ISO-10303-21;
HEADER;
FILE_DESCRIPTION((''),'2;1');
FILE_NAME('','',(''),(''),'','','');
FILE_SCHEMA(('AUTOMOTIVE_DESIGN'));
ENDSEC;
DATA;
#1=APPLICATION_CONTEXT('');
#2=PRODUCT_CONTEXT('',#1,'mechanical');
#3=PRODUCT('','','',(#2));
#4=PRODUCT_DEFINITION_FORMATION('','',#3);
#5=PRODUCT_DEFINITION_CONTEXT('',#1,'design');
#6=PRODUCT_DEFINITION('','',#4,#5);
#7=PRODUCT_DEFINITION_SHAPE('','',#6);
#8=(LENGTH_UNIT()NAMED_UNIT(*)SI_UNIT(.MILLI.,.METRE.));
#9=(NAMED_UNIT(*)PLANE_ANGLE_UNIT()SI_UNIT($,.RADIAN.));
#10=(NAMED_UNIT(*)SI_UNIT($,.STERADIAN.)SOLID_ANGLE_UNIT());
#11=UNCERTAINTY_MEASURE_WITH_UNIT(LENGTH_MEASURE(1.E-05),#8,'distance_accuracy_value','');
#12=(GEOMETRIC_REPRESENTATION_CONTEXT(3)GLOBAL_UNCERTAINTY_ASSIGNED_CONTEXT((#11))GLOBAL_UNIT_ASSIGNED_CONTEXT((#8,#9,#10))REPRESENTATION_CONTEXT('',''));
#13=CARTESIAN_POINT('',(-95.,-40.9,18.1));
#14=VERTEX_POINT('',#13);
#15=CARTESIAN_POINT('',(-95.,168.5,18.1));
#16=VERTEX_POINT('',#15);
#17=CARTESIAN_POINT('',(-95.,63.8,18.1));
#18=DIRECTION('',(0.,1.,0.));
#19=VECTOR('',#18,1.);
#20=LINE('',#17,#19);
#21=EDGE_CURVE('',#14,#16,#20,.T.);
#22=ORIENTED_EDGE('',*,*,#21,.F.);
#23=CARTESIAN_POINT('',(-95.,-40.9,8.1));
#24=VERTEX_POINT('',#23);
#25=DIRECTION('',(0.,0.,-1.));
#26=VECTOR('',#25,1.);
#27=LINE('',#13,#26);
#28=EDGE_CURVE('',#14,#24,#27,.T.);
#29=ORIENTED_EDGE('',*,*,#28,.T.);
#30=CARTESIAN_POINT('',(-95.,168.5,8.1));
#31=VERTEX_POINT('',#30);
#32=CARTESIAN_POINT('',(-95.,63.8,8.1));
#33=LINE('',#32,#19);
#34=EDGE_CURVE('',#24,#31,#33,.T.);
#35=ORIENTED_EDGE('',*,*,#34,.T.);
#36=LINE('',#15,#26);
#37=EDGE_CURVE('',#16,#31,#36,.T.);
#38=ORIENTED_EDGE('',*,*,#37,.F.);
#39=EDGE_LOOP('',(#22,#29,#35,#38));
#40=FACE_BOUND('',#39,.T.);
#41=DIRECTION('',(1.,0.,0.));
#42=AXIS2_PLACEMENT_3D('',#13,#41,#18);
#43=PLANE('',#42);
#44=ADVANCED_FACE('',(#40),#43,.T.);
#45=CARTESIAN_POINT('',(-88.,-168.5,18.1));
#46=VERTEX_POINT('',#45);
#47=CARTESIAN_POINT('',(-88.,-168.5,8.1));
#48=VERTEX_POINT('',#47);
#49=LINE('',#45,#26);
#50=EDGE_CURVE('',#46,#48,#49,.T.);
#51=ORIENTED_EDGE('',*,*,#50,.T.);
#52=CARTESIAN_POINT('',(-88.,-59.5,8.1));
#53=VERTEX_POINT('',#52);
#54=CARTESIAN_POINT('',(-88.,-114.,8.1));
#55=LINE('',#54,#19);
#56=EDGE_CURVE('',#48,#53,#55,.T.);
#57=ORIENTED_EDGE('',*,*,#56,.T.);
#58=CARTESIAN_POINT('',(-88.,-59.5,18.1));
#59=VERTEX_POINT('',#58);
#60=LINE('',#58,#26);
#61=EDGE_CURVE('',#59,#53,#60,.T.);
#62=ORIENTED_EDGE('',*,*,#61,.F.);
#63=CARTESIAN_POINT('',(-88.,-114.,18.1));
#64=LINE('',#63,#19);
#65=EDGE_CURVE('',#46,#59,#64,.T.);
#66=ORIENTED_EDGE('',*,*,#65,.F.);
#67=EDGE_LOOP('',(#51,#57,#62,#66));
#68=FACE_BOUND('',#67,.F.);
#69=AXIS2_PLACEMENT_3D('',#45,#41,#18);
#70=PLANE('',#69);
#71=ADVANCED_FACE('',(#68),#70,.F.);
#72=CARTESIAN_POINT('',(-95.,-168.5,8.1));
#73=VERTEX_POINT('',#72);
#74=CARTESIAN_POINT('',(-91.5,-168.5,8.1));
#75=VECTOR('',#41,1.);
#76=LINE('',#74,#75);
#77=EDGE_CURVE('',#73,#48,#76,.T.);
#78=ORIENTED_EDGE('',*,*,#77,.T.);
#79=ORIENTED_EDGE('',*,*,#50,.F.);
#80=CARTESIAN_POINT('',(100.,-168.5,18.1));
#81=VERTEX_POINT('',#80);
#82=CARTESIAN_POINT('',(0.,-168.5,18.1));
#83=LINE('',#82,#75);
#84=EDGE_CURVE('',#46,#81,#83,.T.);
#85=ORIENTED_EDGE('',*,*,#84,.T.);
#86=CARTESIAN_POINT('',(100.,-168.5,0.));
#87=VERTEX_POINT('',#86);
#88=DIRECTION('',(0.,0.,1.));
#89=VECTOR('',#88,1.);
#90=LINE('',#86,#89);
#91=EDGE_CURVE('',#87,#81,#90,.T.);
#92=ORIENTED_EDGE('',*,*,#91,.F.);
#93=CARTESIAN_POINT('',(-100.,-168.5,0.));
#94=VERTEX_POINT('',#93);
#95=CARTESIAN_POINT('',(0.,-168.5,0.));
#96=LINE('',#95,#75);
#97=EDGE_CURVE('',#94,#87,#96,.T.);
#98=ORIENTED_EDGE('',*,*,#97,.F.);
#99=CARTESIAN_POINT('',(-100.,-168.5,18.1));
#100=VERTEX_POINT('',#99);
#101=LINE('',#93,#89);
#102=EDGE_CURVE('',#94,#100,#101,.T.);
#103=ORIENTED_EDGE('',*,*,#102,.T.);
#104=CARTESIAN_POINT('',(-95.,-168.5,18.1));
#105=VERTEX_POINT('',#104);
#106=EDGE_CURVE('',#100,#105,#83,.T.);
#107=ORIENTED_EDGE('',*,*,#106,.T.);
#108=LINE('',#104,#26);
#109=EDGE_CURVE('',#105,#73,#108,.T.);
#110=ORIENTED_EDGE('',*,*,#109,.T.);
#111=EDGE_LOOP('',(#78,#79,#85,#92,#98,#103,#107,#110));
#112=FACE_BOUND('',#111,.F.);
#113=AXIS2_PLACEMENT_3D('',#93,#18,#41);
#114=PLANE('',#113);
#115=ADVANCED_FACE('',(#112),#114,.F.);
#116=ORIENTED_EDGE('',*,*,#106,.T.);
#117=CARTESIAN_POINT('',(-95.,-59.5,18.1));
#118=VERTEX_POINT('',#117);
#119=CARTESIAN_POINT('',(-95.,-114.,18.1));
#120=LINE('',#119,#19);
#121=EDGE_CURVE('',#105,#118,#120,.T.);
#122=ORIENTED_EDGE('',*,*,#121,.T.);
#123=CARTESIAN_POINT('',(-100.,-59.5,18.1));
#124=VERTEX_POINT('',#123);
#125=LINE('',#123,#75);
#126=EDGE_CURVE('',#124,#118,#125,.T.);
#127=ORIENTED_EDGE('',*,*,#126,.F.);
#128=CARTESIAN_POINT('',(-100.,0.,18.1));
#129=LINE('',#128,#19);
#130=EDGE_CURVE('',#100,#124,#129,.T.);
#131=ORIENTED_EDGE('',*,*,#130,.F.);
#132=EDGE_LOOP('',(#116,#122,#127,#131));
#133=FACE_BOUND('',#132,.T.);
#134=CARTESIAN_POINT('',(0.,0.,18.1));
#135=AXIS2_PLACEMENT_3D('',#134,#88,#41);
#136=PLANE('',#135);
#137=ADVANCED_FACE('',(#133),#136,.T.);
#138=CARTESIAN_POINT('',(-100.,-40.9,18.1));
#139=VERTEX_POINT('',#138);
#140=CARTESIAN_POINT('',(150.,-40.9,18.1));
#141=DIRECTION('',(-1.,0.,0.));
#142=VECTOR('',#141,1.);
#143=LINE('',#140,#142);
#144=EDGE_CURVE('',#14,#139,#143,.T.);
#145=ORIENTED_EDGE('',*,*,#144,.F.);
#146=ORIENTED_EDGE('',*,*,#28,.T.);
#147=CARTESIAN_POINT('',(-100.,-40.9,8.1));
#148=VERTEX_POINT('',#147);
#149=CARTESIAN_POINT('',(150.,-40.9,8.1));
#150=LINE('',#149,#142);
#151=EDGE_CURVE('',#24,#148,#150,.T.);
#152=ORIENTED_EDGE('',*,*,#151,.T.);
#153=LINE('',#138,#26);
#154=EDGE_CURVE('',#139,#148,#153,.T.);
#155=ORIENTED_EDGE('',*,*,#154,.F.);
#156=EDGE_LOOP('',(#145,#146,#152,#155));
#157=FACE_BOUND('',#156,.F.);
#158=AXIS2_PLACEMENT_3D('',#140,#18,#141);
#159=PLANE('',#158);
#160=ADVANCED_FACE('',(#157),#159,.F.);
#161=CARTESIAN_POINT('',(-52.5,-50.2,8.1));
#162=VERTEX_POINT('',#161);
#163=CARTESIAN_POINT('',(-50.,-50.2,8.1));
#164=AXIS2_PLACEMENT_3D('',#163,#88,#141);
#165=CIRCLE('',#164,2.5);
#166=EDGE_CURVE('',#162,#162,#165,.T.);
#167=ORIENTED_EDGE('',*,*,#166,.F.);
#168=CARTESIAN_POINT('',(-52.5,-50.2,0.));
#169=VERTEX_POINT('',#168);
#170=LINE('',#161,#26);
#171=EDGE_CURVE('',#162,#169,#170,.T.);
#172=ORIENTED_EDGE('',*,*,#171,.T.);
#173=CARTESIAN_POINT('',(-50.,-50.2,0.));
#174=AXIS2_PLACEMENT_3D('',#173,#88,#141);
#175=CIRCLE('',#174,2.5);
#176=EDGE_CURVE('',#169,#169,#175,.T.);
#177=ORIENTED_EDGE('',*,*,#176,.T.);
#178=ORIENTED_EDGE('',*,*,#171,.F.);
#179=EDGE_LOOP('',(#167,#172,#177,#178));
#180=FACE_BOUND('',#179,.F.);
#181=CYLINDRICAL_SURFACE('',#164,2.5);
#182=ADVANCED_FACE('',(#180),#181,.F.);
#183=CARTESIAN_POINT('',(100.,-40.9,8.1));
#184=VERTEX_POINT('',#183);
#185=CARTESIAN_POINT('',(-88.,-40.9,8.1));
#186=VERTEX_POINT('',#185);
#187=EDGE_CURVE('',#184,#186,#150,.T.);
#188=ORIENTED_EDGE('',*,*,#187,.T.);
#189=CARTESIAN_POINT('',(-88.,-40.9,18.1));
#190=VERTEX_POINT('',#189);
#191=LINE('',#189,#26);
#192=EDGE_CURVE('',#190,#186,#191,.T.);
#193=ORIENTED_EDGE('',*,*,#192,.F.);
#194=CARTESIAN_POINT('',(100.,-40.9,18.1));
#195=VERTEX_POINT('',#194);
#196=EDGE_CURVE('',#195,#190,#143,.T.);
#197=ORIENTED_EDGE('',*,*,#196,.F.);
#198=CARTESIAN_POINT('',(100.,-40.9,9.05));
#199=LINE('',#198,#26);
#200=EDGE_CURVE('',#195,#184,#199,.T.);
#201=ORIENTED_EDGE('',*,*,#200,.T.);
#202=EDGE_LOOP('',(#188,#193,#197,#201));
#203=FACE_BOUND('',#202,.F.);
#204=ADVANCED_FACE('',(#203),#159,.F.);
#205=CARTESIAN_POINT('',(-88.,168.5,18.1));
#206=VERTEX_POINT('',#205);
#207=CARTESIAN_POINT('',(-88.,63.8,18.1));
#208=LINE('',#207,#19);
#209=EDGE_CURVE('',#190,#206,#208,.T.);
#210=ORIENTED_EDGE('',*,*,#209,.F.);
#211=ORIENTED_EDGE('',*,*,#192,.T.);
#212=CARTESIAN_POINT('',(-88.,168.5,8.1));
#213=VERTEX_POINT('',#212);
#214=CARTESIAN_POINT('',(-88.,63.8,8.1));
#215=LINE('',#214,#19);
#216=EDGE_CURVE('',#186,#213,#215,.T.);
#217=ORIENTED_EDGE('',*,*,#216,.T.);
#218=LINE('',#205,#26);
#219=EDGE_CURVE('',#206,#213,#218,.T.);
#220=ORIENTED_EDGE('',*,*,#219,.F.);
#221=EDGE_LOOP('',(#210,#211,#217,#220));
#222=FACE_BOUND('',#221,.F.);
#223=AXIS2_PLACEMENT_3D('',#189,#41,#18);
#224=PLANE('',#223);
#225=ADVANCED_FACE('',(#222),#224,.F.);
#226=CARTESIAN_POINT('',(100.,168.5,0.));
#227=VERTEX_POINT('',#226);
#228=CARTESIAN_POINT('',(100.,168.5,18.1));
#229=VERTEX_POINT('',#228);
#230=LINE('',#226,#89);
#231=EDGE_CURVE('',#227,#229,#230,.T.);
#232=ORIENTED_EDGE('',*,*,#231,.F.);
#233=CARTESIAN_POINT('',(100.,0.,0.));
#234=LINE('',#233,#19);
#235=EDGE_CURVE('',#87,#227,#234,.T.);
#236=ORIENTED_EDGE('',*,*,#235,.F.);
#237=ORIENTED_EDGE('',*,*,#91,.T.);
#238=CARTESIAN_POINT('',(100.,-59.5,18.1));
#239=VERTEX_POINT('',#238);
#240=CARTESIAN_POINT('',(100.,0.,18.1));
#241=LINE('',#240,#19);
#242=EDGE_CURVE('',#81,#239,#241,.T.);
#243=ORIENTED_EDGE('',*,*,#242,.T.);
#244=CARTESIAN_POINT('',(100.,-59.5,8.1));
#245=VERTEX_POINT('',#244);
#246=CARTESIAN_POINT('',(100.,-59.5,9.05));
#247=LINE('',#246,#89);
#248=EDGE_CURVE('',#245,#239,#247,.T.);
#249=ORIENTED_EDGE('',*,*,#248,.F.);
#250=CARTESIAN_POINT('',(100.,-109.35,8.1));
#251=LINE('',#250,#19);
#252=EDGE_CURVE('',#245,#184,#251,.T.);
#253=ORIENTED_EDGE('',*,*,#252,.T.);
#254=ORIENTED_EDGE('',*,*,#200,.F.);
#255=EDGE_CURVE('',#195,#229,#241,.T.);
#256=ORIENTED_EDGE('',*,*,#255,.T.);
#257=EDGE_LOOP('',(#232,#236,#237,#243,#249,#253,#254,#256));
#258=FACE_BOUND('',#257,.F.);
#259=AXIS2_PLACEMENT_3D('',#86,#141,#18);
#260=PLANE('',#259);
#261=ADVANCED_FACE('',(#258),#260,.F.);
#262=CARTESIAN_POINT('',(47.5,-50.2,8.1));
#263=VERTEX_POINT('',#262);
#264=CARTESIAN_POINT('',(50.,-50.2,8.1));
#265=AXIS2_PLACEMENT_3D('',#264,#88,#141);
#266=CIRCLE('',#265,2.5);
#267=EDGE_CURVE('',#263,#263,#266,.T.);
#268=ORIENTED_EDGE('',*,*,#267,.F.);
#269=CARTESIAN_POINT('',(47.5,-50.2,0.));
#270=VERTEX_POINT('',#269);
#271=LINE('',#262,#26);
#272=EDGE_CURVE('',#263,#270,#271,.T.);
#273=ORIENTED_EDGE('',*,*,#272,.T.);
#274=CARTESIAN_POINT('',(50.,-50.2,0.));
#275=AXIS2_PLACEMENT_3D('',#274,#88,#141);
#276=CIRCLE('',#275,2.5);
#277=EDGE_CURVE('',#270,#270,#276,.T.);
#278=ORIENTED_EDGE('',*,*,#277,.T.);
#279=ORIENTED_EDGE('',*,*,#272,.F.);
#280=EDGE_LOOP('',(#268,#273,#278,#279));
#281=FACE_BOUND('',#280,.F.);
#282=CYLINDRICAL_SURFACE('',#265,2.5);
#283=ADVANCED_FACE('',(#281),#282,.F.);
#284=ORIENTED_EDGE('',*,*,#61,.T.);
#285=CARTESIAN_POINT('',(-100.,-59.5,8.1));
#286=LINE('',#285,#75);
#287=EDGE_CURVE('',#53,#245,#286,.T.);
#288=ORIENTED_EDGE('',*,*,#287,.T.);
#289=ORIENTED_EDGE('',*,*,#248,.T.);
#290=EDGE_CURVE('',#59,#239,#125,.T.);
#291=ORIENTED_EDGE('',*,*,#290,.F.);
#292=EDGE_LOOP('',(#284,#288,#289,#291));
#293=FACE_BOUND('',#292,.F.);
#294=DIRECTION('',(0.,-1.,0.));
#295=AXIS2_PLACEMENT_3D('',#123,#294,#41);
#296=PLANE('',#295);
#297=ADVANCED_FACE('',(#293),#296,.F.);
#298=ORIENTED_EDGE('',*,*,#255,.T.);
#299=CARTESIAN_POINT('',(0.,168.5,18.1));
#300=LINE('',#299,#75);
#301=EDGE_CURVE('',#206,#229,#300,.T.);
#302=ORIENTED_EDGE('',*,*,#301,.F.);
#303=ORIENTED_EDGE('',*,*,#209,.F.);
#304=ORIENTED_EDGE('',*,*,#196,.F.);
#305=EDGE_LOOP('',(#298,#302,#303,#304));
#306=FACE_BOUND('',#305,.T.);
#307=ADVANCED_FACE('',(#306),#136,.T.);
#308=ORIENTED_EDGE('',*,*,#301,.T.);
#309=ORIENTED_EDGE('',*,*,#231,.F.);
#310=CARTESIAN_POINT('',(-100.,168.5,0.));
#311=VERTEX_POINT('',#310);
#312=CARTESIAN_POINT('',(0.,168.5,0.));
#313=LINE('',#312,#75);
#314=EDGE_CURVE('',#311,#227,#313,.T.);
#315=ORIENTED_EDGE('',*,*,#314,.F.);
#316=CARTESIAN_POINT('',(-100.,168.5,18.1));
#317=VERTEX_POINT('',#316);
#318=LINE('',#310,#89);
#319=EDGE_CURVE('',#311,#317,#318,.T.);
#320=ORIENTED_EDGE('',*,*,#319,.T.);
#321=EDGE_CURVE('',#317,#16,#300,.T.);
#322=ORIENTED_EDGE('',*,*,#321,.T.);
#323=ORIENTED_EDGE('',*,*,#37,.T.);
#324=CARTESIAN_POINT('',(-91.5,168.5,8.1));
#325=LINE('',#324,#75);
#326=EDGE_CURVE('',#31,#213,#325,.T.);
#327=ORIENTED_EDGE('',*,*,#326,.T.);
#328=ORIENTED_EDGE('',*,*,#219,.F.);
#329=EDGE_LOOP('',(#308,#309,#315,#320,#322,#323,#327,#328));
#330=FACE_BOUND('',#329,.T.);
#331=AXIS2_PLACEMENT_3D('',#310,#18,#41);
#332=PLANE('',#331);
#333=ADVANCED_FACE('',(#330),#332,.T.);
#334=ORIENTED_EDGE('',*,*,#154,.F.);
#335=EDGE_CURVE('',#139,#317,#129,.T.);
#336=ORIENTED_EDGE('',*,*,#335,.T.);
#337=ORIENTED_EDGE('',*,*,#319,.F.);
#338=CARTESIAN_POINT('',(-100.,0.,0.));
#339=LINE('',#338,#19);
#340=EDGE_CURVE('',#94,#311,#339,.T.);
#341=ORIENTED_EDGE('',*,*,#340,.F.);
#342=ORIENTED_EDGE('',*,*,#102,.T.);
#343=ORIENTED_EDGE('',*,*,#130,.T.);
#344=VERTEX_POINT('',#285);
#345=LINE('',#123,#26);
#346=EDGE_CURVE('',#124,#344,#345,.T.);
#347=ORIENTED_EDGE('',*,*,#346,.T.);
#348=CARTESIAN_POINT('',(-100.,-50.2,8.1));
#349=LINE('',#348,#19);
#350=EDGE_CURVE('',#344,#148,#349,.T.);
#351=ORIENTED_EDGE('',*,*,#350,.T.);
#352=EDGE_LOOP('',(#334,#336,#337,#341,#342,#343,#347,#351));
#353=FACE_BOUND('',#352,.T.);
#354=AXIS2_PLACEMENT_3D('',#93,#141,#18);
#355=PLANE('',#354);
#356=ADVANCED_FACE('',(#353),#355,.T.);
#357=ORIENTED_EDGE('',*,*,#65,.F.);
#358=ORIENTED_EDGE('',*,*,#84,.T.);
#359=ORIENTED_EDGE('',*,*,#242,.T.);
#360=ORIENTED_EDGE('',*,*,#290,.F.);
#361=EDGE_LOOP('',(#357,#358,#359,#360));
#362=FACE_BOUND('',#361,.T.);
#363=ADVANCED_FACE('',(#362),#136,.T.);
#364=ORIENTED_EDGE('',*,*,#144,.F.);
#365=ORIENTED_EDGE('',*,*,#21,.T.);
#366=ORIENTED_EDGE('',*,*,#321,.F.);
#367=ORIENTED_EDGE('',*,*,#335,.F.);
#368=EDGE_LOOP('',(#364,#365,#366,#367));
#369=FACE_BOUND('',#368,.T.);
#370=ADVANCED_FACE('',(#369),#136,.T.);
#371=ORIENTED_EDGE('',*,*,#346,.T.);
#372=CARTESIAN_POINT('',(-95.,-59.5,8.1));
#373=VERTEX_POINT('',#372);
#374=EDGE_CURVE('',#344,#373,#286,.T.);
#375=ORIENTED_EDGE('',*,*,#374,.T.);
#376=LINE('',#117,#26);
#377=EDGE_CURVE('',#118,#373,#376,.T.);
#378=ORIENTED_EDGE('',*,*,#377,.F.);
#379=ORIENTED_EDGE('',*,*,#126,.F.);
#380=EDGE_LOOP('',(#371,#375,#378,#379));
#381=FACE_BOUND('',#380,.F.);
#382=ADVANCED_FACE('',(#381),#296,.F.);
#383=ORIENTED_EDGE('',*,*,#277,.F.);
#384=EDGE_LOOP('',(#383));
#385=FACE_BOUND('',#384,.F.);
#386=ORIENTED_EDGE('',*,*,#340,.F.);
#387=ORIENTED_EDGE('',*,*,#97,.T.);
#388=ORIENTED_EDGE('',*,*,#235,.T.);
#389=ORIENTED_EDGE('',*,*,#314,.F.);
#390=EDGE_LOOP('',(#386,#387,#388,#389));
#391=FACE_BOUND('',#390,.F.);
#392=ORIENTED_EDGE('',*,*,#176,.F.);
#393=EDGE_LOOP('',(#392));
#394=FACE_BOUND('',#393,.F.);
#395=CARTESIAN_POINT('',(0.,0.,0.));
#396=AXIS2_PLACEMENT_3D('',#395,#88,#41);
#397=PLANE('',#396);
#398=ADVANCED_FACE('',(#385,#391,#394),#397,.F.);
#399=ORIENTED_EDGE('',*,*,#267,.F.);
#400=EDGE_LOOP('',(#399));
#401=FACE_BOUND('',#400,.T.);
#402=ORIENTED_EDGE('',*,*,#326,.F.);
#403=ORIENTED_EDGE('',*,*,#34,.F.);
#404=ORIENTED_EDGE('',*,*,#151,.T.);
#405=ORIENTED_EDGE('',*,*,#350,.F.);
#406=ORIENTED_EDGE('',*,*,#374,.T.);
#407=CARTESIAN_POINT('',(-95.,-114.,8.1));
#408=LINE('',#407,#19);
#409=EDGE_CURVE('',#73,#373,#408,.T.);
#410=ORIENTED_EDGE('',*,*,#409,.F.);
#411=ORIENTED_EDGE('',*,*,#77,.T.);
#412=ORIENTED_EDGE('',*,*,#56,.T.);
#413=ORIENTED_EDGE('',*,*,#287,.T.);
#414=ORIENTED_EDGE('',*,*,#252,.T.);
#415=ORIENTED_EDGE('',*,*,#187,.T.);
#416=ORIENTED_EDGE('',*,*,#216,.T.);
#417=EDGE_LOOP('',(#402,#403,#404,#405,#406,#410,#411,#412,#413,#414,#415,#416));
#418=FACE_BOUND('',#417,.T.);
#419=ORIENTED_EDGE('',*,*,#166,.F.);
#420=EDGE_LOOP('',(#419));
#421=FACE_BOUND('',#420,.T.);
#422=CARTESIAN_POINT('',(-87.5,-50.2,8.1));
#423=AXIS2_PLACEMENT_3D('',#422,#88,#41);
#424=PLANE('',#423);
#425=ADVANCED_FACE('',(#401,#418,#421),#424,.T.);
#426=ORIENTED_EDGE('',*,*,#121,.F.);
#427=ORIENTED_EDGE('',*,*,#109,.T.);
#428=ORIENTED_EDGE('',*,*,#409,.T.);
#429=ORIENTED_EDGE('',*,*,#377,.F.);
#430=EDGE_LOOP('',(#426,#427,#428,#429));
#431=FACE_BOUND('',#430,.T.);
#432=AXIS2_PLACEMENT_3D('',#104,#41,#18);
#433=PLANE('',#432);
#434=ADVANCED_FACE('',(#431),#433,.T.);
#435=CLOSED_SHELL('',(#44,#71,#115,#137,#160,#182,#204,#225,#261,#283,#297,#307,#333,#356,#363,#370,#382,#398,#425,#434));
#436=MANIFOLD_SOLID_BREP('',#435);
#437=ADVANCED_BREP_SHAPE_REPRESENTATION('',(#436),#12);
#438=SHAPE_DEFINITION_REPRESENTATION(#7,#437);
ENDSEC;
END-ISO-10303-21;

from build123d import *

# Parameters (mm, degrees)
F0_W     = 200
F0_H     = 337
F1_DEPTH = 18.1
F2_W     = 25
F2_H     = 18.6
F2_W_2   = 150
F3_DEPTH = 10
F5_DEPTH = 25
F6_W     = 7
F6_H     = 209.4
F7_DEPTH = 10
F8_W     = 7
F8_H     = 109
F9_DEPTH = 10


with BuildPart() as f1:
    # F0 (on Top) → F1 (new body)
    with BuildSketch(Plane.XY):
        Rectangle(F0_W, F0_H)
    extrude(amount=F1_DEPTH)

    # F2 (on face) → F3 (cut)
    with BuildSketch(Plane.XY.offset(18.1)):
        with Locations((-87.5, -50.2)):
            Rectangle(F2_W, F2_H)
        with Locations((-62.5, -50.2)):
            Rectangle(F2_W, F2_H)
        with Locations((25, -50.2)):
            Rectangle(F2_W_2, F2_H)
        with Locations((112.5, -50.2)):
            Rectangle(F2_W, F2_H)
        with Locations((137.5, -50.2)):
            Rectangle(F2_W, F2_H)
    extrude(amount=-F3_DEPTH, mode=Mode.SUBTRACT)

    # F4 (on face) → F5 (cut)
    with BuildSketch(Plane.XY.offset(8.1)):
        with BuildLine():
            Line((-52.5, -50.2), (-50, -50.2))
            Line((-50, -50.2), (-47.5, -50.2))
            ThreePointArc((-47.5, -50.2), (-50, -47.7), (-52.5, -50.2))
        make_face()
        with BuildLine():
            Line((-47.5, -50.2), (-50, -50.2))
            Line((-50, -50.2), (-52.5, -50.2))
            ThreePointArc((-52.5, -50.2), (-50, -52.7), (-47.5, -50.2))
        make_face()
        with BuildLine():
            ThreePointArc((52.5, -50.2), (50, -47.7), (47.5, -50.2))
            Line((47.5, -50.2), (50, -50.2))
            Line((50, -50.2), (52.5, -50.2))
        make_face()
        with BuildLine():
            Line((50, -50.2), (47.5, -50.2))
            ThreePointArc((47.5, -50.2), (50, -52.7), (52.5, -50.2))
            Line((52.5, -50.2), (50, -50.2))
        make_face()
    extrude(amount=-F5_DEPTH, mode=Mode.SUBTRACT)

    # F6 (on face) → F7 (cut)
    with BuildSketch(Plane.XY.offset(18.1)):
        with Locations((-91.5, 63.8)):
            Rectangle(F6_W, F6_H)
    extrude(amount=-F7_DEPTH, mode=Mode.SUBTRACT)

    # F8 (on face) → F9 (cut)
    with BuildSketch(Plane.XY.offset(18.1)):
        with Locations((-91.5, -114)):
            Rectangle(F8_W, F8_H)
    extrude(amount=-F9_DEPTH, mode=Mode.SUBTRACT)


solid = f1.part
